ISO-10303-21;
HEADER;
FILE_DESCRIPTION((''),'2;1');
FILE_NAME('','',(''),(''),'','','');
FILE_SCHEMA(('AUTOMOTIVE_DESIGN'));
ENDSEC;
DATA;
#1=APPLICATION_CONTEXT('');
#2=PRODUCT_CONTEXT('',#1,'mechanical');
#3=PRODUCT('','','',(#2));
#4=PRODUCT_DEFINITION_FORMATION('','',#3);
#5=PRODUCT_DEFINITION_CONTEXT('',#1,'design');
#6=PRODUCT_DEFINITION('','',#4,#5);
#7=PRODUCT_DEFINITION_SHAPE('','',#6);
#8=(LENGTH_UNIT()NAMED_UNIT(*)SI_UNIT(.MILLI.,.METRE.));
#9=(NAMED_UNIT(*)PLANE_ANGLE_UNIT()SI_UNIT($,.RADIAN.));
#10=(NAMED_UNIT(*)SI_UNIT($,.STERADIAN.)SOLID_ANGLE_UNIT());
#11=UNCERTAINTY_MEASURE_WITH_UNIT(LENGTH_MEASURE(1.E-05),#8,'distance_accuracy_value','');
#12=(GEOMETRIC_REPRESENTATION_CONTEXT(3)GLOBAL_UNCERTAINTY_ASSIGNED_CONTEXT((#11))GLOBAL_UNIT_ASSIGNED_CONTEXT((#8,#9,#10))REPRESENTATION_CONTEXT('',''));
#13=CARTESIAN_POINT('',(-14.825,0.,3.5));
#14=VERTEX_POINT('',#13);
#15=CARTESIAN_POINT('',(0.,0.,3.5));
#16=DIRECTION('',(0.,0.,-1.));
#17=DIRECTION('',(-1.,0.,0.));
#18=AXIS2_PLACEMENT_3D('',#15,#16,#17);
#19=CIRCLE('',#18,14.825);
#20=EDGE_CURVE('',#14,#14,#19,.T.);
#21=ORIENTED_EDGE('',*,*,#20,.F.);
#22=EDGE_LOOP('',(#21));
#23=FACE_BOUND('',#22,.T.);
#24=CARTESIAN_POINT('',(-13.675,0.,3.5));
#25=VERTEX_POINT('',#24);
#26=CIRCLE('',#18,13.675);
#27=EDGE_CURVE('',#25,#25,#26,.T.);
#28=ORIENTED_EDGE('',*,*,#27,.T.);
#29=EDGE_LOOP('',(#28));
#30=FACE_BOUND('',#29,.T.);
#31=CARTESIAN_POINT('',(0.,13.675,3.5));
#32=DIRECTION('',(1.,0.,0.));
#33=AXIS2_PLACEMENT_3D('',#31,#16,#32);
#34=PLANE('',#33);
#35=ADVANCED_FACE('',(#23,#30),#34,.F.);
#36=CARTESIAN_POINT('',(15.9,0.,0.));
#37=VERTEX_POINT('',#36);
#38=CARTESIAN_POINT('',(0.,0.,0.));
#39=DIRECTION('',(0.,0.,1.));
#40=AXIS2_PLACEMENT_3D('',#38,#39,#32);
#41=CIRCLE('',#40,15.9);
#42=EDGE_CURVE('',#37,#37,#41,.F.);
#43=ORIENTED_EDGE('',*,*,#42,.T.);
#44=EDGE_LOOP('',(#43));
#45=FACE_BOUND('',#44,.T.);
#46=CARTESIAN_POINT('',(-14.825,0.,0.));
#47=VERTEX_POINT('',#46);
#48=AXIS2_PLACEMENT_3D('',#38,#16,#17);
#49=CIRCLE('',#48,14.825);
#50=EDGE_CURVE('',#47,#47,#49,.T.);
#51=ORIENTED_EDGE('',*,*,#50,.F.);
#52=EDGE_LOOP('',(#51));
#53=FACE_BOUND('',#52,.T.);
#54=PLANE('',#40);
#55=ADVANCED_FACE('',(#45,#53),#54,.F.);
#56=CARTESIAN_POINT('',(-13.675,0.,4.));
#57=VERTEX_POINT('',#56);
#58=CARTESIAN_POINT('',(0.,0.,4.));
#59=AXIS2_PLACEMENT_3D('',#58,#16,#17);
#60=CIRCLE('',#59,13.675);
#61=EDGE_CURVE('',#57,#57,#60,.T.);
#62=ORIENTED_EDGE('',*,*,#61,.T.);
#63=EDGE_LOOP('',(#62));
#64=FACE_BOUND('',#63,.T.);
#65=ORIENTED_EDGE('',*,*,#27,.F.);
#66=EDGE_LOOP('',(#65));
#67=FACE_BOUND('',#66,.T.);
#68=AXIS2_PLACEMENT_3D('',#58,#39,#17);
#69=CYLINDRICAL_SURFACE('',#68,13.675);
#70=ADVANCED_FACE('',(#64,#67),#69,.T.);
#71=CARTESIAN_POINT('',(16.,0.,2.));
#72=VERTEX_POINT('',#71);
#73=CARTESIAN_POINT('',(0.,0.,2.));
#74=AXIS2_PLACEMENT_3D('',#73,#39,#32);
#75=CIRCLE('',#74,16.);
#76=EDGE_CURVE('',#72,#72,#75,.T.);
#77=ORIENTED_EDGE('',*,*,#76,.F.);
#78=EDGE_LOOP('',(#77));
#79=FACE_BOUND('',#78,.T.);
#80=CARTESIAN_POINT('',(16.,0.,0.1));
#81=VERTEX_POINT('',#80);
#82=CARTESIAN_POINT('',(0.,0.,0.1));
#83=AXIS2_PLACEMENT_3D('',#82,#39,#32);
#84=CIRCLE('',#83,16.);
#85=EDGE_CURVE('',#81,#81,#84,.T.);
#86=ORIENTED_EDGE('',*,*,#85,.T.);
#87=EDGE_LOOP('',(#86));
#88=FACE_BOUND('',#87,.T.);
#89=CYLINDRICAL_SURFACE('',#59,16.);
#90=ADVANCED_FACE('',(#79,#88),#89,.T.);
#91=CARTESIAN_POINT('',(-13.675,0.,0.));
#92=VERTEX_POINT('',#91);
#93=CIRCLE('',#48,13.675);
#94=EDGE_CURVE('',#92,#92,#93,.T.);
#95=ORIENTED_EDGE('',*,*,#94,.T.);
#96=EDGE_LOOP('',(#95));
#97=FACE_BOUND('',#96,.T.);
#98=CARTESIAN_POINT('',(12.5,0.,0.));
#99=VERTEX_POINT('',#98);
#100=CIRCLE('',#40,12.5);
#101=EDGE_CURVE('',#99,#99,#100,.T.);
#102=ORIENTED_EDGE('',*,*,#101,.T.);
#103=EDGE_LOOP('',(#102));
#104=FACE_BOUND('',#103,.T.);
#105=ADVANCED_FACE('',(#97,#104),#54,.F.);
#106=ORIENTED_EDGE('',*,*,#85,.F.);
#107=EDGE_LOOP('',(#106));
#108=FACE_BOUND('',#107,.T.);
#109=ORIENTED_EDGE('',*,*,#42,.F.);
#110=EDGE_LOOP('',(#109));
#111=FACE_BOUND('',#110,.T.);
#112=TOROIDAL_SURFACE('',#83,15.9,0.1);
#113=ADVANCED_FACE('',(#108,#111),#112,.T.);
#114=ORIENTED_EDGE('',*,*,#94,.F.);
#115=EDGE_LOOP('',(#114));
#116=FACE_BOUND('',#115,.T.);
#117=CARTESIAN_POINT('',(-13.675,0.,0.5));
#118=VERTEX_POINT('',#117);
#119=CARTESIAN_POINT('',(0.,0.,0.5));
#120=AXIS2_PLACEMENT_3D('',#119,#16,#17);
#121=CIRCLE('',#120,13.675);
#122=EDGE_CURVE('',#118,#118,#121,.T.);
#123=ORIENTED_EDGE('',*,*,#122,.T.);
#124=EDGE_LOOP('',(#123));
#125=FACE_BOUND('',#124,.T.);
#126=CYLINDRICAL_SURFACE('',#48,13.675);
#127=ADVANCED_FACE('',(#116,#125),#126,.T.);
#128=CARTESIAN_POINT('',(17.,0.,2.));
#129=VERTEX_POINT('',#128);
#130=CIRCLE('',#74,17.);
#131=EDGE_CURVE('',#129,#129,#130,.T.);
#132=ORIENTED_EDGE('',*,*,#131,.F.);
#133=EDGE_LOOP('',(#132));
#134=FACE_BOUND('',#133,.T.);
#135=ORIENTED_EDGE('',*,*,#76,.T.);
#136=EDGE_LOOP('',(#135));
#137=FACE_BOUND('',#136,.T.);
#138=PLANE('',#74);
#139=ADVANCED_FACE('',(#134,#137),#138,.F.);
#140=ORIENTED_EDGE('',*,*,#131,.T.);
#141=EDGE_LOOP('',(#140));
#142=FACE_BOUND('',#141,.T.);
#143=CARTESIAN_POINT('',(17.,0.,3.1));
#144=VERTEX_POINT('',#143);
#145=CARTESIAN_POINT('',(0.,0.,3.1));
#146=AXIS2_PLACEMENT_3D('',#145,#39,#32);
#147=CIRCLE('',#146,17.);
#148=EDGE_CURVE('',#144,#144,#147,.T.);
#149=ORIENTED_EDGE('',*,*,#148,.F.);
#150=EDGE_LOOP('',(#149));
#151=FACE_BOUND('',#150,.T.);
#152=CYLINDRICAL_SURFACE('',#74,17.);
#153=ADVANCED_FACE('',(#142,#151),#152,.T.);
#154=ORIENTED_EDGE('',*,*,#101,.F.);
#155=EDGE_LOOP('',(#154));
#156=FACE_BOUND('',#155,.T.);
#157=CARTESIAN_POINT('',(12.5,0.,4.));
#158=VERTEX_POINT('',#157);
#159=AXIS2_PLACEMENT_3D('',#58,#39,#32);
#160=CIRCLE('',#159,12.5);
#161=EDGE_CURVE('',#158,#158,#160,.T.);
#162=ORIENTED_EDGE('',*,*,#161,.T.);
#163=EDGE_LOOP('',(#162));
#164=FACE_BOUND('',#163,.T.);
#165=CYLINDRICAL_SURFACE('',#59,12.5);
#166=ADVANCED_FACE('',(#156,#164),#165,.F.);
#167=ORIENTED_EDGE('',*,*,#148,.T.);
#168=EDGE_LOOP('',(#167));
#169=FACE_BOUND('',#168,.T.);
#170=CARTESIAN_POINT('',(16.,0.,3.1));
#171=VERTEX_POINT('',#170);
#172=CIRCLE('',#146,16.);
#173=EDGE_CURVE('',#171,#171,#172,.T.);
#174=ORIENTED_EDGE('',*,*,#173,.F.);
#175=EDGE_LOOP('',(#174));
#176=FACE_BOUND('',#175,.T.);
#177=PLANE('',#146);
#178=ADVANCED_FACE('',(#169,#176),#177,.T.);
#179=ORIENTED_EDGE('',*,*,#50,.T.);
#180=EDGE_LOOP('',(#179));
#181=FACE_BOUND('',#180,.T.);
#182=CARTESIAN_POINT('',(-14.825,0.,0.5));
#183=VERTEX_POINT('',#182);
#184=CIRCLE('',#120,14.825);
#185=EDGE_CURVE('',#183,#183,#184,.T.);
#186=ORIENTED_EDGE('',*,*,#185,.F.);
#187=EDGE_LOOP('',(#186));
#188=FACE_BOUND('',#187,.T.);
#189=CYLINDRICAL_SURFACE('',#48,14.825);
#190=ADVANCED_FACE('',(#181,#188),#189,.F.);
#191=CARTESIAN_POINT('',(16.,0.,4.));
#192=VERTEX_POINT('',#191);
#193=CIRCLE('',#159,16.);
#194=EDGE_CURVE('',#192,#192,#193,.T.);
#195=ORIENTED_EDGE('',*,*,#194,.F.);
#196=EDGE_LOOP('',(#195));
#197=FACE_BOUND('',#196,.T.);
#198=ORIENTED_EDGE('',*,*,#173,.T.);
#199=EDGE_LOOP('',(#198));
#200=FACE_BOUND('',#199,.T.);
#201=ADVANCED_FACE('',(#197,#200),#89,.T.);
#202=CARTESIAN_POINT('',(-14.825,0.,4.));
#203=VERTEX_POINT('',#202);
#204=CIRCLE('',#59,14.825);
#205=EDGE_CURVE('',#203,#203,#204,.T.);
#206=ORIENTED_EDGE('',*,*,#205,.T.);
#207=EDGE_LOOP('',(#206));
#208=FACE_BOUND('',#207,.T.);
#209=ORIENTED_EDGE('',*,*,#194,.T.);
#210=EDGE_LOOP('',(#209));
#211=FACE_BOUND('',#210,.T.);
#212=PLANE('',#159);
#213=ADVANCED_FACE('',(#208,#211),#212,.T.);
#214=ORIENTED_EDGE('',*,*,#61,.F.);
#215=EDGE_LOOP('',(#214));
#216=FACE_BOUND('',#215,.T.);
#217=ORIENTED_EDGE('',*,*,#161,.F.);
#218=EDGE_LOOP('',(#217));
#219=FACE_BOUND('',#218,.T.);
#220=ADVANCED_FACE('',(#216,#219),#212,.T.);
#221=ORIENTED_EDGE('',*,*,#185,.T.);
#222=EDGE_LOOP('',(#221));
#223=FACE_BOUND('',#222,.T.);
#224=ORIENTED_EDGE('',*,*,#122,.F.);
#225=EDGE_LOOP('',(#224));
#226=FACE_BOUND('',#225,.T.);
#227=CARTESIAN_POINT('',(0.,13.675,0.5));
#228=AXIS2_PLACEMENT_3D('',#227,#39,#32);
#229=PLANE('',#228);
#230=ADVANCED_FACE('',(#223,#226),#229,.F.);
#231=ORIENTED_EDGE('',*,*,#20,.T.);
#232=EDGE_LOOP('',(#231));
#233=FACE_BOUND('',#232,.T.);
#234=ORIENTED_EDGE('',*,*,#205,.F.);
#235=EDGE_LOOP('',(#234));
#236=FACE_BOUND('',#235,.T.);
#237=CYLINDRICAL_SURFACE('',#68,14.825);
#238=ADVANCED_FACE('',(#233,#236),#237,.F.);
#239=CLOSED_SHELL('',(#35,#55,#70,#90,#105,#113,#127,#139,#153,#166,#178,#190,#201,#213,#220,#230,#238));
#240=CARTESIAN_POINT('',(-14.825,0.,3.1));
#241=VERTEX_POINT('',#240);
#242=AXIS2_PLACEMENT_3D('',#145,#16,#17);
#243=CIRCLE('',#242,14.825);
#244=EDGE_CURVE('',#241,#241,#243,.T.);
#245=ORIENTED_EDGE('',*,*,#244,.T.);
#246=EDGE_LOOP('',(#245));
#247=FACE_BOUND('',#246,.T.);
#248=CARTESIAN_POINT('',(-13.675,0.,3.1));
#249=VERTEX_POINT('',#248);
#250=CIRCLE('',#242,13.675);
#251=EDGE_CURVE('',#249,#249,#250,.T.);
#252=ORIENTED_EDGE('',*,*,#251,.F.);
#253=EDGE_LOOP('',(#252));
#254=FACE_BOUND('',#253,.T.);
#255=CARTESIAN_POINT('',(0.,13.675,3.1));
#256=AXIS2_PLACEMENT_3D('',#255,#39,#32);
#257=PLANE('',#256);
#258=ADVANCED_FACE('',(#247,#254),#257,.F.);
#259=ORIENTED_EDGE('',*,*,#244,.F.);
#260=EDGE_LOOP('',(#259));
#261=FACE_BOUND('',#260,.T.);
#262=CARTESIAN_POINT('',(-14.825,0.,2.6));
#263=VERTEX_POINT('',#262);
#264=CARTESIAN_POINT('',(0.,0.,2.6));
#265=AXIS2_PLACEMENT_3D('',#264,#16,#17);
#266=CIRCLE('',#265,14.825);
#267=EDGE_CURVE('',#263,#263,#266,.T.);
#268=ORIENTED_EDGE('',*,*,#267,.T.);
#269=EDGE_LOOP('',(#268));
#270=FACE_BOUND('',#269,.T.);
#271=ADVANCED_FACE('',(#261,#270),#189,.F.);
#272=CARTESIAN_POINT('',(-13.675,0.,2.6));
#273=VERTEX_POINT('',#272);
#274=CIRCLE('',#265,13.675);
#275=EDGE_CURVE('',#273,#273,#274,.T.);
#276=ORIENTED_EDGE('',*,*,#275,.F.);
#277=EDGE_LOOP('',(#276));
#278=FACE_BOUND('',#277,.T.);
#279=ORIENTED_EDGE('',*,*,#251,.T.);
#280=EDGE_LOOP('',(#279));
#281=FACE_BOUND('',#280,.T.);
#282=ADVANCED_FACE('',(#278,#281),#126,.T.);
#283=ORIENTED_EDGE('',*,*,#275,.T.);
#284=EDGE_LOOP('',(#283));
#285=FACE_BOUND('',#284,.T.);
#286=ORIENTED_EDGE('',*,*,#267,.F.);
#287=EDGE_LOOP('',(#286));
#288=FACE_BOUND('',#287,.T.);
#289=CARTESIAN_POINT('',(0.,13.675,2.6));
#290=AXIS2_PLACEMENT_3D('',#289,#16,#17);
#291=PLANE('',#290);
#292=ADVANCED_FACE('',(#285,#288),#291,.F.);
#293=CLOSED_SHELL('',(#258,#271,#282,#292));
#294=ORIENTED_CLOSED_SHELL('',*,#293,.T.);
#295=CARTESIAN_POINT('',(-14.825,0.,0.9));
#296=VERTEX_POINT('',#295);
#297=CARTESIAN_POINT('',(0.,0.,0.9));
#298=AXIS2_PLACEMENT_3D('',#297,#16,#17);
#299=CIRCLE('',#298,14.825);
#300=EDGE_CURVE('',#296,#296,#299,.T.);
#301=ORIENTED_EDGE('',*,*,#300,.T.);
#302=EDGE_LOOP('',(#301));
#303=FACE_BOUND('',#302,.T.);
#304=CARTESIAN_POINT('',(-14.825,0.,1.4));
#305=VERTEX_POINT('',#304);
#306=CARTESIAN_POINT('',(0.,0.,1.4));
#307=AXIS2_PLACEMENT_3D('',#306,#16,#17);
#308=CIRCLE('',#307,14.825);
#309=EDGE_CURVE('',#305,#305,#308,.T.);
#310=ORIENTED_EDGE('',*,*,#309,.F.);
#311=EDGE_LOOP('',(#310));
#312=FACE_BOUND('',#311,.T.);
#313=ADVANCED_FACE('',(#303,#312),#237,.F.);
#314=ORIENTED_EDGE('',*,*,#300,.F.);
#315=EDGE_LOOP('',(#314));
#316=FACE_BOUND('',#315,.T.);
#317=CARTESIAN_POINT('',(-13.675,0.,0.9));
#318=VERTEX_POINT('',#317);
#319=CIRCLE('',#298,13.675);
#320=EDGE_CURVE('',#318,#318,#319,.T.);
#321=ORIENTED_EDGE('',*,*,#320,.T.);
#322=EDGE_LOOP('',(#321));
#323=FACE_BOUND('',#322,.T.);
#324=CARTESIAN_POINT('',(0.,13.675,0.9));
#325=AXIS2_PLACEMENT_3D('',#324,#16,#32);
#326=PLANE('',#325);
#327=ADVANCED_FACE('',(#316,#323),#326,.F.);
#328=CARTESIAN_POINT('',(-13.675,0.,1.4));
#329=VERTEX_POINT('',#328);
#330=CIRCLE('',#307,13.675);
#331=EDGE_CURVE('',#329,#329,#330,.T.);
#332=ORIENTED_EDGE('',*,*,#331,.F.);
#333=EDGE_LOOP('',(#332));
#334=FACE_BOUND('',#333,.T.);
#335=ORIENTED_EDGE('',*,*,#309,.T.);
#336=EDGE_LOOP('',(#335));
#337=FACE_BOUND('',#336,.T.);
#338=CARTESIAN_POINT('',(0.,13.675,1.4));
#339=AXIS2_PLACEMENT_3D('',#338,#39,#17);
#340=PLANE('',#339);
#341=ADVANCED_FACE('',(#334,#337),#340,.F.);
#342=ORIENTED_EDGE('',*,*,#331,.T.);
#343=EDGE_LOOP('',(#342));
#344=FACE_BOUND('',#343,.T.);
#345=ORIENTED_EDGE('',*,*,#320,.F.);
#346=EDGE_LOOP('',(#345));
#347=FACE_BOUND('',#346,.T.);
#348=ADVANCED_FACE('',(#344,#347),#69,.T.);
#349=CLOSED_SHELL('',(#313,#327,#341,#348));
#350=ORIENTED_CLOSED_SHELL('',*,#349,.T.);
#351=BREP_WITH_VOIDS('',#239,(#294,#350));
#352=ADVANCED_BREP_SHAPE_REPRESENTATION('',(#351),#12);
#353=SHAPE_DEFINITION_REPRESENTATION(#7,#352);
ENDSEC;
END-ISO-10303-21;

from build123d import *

# Parameters (mm, degrees)
SKETCH_1_R      = 16
SKETCH_1_R_2    = 12.5
EXTRUDE_1_DEPTH = 4
EXTRUDE_START   = -2
SKETCH_2_R      = 17
SKETCH_2_R_2    = 16
EXTRUDE_2_DEPTH = 1.1
FILLET_1_R      = 0.1
SKETCH_3_W      = 0.5
SKETCH_3_H      = 1.15


with BuildPart() as part:
    # 草图1 → 凸台-拉伸1 (new body)
    with BuildSketch(Plane.XY):
        Circle(SKETCH_1_R)
        Circle(SKETCH_1_R_2, mode=Mode.SUBTRACT)
    extrude(amount=EXTRUDE_1_DEPTH)

    # 草图2 → 凸台-拉伸2 (add)
    with BuildSketch(Plane.XY.offset(4).offset(EXTRUDE_START)):
        Circle(SKETCH_2_R)
        Circle(SKETCH_2_R_2, mode=Mode.SUBTRACT)
    extrude(amount=EXTRUDE_2_DEPTH)

    # 圆角1
    fillet_1_edges = [part.edges().sort_by_distance(p)[0] for p in [
        (-16, 0, 0),
    ]]
    fillet(fillet_1_edges, radius=FILLET_1_R)

    # 草图3 → 切除-旋转1 (revolve, cut)
    with BuildSketch(Plane(origin=(0, 0, 0), x_dir=(0, 0, -1), z_dir=(1, 0, 0)), mode=Mode.PRIVATE) as cut_revolve_1_sk:
        with Locations((-0.25, 14.25)):
            Rectangle(SKETCH_3_W, SKETCH_3_H)
        with Locations((-2.85, 14.25)):
            Rectangle(SKETCH_3_W, SKETCH_3_H)
    cut_revolve_1 = revolve(cut_revolve_1_sk.sketch.rotate(Axis((0, 0, 0), (0, 0, 1)), 90), axis=Axis((0, 0, 0), (0, 0, 1)), mode=Mode.SUBTRACT)

    # 镜向1: 切除-旋转1 across plane
    add(cut_revolve_1.mirror(Plane(origin=(0, 0, 2), x_dir=(1, 0, 0), z_dir=(0, 0, -1))), mode=Mode.SUBTRACT)


solid = part.part
